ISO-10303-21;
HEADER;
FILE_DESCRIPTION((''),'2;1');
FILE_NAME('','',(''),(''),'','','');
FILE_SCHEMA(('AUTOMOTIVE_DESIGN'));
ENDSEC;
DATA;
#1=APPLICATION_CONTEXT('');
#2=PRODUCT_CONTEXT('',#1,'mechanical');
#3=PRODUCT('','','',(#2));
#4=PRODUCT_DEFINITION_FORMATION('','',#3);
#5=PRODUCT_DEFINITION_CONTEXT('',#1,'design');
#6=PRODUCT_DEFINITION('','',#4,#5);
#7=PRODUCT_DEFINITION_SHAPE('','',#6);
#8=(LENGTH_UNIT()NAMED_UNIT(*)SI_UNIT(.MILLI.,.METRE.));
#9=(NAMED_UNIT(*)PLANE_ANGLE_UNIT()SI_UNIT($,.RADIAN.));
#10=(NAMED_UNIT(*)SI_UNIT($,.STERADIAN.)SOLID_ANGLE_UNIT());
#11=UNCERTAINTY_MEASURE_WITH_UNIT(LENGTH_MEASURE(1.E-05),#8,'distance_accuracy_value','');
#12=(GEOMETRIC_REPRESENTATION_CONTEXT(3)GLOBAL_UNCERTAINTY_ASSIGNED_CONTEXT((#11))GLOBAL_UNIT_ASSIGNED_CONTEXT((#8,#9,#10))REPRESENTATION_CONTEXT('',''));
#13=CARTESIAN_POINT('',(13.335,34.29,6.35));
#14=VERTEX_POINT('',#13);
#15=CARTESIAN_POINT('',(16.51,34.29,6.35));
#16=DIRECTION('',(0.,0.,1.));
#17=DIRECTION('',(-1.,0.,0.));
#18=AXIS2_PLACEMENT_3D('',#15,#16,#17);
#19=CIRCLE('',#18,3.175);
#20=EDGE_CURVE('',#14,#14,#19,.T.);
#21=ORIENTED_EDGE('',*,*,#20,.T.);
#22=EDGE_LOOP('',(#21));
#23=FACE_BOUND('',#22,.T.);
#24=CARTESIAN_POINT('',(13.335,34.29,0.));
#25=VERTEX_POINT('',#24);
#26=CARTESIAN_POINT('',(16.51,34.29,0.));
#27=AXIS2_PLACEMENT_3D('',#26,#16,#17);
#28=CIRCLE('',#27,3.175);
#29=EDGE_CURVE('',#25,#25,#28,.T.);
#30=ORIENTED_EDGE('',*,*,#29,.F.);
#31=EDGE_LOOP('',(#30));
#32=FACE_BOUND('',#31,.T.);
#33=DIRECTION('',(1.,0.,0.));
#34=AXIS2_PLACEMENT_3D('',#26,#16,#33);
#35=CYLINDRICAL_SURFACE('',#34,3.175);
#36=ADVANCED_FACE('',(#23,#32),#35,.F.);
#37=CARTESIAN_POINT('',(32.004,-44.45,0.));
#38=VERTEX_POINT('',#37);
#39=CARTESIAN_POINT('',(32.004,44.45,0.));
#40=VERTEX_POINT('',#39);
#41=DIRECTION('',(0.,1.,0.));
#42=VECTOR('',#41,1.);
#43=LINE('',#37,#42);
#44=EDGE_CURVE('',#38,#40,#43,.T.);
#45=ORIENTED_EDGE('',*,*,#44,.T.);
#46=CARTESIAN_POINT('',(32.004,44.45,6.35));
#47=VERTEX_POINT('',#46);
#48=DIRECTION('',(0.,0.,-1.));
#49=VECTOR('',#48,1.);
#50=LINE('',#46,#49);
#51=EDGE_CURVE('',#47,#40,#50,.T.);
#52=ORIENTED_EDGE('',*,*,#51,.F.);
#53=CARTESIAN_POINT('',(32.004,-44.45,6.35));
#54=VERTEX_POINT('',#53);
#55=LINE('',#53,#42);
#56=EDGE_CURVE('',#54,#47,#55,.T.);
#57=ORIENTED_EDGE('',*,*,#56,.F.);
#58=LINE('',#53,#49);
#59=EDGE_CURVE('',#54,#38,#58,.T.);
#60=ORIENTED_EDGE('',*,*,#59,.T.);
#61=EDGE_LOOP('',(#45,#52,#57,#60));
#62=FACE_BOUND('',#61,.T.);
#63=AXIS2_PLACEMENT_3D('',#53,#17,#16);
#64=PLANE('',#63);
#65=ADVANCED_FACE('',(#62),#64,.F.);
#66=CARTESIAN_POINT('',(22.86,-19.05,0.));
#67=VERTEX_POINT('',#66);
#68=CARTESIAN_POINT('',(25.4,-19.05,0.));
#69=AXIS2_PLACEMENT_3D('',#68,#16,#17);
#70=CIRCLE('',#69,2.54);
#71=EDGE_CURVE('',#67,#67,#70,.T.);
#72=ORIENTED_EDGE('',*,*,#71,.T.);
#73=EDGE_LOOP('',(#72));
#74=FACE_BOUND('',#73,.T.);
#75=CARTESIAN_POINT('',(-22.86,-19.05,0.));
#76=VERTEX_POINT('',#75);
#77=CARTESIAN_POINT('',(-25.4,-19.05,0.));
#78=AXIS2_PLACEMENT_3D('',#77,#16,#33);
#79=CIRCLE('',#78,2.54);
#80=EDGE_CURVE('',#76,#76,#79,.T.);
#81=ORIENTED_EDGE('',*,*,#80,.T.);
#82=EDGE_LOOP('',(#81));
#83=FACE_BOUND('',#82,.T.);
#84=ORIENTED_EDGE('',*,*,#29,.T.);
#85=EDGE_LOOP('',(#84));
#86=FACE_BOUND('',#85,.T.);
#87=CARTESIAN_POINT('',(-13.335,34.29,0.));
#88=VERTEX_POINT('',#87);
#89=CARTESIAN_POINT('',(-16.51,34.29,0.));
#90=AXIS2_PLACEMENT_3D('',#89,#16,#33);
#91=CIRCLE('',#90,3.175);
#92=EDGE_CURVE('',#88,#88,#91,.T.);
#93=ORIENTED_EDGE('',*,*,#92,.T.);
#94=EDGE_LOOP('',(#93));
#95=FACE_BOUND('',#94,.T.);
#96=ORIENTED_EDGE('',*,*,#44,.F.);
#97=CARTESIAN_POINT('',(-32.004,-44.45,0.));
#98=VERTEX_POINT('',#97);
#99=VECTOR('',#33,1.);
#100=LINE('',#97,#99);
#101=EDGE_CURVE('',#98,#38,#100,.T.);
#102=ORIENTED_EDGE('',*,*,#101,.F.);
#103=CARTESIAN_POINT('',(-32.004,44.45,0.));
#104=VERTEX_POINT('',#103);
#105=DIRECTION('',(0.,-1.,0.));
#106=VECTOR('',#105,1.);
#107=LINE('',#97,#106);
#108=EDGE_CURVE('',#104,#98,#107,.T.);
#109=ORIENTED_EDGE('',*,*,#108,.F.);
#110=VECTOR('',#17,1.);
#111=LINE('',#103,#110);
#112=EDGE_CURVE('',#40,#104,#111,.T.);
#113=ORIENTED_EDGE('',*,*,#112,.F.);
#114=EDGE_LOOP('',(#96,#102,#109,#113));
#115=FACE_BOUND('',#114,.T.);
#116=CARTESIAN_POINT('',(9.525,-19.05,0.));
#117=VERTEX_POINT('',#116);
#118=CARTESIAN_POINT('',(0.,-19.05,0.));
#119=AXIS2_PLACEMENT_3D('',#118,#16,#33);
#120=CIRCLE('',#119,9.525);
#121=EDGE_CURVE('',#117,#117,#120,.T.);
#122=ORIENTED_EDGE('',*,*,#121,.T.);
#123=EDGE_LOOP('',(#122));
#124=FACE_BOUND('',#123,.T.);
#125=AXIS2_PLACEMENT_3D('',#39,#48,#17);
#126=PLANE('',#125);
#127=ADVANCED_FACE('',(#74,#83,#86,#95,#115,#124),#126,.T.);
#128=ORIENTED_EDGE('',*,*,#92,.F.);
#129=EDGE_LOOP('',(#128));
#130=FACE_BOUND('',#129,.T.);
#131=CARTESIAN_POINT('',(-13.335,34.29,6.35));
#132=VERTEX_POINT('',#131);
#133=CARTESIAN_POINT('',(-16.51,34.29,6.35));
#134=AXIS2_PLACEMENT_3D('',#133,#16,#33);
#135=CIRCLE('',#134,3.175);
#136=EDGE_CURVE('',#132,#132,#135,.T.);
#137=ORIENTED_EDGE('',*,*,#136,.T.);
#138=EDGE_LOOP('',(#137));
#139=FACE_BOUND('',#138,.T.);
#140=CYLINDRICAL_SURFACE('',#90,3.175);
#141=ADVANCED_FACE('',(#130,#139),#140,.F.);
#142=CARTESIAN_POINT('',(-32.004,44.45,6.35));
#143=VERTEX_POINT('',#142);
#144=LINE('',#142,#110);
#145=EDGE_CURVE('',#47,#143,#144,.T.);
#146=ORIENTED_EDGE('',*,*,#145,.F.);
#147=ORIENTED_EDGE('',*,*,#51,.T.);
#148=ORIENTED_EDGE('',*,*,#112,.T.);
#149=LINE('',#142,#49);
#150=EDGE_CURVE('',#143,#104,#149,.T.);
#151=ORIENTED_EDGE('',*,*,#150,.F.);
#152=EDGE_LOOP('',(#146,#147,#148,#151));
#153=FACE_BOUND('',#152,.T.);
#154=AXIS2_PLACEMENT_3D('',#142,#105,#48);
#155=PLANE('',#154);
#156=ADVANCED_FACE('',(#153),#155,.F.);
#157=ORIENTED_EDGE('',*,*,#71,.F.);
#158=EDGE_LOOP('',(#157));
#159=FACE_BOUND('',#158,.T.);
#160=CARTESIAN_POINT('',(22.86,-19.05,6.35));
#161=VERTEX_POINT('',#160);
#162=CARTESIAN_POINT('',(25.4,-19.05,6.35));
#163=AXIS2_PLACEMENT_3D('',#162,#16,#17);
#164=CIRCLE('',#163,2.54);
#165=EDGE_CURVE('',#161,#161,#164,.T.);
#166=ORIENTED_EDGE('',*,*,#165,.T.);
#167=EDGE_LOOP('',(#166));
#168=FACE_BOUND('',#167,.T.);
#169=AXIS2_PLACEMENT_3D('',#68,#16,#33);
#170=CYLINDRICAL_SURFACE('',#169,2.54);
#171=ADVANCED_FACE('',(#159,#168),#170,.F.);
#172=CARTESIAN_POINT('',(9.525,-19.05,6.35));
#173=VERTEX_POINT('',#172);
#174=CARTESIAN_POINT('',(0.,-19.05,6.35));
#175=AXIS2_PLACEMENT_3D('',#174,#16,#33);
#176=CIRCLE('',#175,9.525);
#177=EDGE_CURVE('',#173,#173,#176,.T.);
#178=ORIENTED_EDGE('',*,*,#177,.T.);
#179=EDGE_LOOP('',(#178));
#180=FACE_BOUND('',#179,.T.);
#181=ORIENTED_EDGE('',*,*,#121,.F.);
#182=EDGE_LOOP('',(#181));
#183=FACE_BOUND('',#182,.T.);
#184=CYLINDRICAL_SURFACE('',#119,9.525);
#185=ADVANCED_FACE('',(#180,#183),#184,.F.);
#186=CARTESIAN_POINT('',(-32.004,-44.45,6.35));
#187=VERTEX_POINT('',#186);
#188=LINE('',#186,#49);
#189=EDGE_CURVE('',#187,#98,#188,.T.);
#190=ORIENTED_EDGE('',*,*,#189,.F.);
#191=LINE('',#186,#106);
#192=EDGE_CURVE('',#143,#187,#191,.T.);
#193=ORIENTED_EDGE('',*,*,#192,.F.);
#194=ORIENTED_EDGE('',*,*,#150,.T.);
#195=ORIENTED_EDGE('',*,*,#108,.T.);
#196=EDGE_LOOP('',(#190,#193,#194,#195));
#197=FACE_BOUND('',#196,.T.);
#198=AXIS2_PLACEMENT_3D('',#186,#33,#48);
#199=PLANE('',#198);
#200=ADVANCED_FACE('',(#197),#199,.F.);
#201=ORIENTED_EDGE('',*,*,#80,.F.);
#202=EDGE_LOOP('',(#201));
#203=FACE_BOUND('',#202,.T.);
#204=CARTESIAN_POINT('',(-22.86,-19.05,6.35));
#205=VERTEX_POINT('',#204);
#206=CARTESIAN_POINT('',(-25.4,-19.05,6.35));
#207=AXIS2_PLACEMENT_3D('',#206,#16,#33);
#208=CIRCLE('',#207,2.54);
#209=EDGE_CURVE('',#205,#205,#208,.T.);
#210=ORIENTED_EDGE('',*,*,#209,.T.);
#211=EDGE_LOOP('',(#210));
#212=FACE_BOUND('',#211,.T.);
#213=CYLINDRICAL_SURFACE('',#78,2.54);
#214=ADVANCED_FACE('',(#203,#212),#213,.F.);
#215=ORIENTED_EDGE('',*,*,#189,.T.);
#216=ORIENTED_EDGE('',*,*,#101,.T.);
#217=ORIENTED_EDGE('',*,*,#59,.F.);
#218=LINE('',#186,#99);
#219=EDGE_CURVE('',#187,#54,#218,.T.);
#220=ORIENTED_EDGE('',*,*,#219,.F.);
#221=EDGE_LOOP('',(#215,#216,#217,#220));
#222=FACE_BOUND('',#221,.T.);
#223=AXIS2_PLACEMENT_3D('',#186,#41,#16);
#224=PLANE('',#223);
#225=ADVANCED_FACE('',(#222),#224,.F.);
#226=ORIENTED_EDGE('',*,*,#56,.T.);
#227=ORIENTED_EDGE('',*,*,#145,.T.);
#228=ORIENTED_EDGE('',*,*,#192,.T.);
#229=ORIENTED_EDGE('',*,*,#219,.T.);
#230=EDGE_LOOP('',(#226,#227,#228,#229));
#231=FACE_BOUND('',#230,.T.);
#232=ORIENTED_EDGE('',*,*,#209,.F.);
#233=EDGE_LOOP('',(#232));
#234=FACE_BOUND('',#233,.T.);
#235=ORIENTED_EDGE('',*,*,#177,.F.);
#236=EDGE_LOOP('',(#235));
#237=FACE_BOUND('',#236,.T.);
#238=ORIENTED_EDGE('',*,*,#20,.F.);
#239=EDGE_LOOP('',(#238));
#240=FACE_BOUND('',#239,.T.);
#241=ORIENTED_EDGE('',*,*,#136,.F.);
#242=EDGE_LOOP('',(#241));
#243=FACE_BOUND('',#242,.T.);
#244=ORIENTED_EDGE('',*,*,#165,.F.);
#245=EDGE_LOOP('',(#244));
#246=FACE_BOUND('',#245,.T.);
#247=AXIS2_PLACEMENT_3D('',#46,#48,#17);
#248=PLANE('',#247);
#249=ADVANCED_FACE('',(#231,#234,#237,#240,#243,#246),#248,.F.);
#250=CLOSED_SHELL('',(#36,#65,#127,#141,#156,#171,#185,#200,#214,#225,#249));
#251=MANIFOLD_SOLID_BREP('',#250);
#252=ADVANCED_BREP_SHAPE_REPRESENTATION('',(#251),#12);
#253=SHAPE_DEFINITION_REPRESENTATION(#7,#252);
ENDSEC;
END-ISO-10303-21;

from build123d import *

# Parameters (mm, degrees)
SKETCH1_W      = 64.008
SKETCH1_H      = 88.9
EXTRUDE1_DEPTH = 6.35
SKETCH2_R      = 2.54
EXTRUDE2_DEPTH = 56.139650126
SKETCH3_R      = 9.525
EXTRUDE4_DEPTH = 56.139650126
SKETCH4_R      = 3.175
EXTRUDE5_DEPTH = 56.139650126


with BuildPart() as part:
    # Sketch1 → Extrude1 (new body)
    with BuildSketch(Plane.XY):
        Rectangle(SKETCH1_W, SKETCH1_H)
    extrude(amount=EXTRUDE1_DEPTH)

    # Sketch2 → Extrude2 (cut, through all)
    with BuildSketch(Plane.XY.offset(6.35)):
        with Locations((-25.4, -19.05)):
            Circle(SKETCH2_R)
        with Locations(Location((25.4, -19.05, 0), (0, 0, 180))):
            Circle(SKETCH2_R)
    extrude(amount=-EXTRUDE2_DEPTH, mode=Mode.SUBTRACT)

    # Sketch3 → Extrude4 (cut, through all)
    with BuildSketch(Plane.XY.offset(6.35)):
        with Locations((0, -19.05)):
            Circle(SKETCH3_R)
    extrude(amount=-EXTRUDE4_DEPTH, mode=Mode.SUBTRACT)

    # Sketch4 → Extrude5 (cut, through all)
    with BuildSketch(Plane.XY.offset(6.35)):
        with Locations((-16.51, 34.29)):
            Circle(SKETCH4_R)
        with Locations(Location((16.51, 34.29, 0), (0, 0, 180))):
            Circle(SKETCH4_R)
    extrude(amount=-EXTRUDE5_DEPTH, mode=Mode.SUBTRACT)


solid = part.part
